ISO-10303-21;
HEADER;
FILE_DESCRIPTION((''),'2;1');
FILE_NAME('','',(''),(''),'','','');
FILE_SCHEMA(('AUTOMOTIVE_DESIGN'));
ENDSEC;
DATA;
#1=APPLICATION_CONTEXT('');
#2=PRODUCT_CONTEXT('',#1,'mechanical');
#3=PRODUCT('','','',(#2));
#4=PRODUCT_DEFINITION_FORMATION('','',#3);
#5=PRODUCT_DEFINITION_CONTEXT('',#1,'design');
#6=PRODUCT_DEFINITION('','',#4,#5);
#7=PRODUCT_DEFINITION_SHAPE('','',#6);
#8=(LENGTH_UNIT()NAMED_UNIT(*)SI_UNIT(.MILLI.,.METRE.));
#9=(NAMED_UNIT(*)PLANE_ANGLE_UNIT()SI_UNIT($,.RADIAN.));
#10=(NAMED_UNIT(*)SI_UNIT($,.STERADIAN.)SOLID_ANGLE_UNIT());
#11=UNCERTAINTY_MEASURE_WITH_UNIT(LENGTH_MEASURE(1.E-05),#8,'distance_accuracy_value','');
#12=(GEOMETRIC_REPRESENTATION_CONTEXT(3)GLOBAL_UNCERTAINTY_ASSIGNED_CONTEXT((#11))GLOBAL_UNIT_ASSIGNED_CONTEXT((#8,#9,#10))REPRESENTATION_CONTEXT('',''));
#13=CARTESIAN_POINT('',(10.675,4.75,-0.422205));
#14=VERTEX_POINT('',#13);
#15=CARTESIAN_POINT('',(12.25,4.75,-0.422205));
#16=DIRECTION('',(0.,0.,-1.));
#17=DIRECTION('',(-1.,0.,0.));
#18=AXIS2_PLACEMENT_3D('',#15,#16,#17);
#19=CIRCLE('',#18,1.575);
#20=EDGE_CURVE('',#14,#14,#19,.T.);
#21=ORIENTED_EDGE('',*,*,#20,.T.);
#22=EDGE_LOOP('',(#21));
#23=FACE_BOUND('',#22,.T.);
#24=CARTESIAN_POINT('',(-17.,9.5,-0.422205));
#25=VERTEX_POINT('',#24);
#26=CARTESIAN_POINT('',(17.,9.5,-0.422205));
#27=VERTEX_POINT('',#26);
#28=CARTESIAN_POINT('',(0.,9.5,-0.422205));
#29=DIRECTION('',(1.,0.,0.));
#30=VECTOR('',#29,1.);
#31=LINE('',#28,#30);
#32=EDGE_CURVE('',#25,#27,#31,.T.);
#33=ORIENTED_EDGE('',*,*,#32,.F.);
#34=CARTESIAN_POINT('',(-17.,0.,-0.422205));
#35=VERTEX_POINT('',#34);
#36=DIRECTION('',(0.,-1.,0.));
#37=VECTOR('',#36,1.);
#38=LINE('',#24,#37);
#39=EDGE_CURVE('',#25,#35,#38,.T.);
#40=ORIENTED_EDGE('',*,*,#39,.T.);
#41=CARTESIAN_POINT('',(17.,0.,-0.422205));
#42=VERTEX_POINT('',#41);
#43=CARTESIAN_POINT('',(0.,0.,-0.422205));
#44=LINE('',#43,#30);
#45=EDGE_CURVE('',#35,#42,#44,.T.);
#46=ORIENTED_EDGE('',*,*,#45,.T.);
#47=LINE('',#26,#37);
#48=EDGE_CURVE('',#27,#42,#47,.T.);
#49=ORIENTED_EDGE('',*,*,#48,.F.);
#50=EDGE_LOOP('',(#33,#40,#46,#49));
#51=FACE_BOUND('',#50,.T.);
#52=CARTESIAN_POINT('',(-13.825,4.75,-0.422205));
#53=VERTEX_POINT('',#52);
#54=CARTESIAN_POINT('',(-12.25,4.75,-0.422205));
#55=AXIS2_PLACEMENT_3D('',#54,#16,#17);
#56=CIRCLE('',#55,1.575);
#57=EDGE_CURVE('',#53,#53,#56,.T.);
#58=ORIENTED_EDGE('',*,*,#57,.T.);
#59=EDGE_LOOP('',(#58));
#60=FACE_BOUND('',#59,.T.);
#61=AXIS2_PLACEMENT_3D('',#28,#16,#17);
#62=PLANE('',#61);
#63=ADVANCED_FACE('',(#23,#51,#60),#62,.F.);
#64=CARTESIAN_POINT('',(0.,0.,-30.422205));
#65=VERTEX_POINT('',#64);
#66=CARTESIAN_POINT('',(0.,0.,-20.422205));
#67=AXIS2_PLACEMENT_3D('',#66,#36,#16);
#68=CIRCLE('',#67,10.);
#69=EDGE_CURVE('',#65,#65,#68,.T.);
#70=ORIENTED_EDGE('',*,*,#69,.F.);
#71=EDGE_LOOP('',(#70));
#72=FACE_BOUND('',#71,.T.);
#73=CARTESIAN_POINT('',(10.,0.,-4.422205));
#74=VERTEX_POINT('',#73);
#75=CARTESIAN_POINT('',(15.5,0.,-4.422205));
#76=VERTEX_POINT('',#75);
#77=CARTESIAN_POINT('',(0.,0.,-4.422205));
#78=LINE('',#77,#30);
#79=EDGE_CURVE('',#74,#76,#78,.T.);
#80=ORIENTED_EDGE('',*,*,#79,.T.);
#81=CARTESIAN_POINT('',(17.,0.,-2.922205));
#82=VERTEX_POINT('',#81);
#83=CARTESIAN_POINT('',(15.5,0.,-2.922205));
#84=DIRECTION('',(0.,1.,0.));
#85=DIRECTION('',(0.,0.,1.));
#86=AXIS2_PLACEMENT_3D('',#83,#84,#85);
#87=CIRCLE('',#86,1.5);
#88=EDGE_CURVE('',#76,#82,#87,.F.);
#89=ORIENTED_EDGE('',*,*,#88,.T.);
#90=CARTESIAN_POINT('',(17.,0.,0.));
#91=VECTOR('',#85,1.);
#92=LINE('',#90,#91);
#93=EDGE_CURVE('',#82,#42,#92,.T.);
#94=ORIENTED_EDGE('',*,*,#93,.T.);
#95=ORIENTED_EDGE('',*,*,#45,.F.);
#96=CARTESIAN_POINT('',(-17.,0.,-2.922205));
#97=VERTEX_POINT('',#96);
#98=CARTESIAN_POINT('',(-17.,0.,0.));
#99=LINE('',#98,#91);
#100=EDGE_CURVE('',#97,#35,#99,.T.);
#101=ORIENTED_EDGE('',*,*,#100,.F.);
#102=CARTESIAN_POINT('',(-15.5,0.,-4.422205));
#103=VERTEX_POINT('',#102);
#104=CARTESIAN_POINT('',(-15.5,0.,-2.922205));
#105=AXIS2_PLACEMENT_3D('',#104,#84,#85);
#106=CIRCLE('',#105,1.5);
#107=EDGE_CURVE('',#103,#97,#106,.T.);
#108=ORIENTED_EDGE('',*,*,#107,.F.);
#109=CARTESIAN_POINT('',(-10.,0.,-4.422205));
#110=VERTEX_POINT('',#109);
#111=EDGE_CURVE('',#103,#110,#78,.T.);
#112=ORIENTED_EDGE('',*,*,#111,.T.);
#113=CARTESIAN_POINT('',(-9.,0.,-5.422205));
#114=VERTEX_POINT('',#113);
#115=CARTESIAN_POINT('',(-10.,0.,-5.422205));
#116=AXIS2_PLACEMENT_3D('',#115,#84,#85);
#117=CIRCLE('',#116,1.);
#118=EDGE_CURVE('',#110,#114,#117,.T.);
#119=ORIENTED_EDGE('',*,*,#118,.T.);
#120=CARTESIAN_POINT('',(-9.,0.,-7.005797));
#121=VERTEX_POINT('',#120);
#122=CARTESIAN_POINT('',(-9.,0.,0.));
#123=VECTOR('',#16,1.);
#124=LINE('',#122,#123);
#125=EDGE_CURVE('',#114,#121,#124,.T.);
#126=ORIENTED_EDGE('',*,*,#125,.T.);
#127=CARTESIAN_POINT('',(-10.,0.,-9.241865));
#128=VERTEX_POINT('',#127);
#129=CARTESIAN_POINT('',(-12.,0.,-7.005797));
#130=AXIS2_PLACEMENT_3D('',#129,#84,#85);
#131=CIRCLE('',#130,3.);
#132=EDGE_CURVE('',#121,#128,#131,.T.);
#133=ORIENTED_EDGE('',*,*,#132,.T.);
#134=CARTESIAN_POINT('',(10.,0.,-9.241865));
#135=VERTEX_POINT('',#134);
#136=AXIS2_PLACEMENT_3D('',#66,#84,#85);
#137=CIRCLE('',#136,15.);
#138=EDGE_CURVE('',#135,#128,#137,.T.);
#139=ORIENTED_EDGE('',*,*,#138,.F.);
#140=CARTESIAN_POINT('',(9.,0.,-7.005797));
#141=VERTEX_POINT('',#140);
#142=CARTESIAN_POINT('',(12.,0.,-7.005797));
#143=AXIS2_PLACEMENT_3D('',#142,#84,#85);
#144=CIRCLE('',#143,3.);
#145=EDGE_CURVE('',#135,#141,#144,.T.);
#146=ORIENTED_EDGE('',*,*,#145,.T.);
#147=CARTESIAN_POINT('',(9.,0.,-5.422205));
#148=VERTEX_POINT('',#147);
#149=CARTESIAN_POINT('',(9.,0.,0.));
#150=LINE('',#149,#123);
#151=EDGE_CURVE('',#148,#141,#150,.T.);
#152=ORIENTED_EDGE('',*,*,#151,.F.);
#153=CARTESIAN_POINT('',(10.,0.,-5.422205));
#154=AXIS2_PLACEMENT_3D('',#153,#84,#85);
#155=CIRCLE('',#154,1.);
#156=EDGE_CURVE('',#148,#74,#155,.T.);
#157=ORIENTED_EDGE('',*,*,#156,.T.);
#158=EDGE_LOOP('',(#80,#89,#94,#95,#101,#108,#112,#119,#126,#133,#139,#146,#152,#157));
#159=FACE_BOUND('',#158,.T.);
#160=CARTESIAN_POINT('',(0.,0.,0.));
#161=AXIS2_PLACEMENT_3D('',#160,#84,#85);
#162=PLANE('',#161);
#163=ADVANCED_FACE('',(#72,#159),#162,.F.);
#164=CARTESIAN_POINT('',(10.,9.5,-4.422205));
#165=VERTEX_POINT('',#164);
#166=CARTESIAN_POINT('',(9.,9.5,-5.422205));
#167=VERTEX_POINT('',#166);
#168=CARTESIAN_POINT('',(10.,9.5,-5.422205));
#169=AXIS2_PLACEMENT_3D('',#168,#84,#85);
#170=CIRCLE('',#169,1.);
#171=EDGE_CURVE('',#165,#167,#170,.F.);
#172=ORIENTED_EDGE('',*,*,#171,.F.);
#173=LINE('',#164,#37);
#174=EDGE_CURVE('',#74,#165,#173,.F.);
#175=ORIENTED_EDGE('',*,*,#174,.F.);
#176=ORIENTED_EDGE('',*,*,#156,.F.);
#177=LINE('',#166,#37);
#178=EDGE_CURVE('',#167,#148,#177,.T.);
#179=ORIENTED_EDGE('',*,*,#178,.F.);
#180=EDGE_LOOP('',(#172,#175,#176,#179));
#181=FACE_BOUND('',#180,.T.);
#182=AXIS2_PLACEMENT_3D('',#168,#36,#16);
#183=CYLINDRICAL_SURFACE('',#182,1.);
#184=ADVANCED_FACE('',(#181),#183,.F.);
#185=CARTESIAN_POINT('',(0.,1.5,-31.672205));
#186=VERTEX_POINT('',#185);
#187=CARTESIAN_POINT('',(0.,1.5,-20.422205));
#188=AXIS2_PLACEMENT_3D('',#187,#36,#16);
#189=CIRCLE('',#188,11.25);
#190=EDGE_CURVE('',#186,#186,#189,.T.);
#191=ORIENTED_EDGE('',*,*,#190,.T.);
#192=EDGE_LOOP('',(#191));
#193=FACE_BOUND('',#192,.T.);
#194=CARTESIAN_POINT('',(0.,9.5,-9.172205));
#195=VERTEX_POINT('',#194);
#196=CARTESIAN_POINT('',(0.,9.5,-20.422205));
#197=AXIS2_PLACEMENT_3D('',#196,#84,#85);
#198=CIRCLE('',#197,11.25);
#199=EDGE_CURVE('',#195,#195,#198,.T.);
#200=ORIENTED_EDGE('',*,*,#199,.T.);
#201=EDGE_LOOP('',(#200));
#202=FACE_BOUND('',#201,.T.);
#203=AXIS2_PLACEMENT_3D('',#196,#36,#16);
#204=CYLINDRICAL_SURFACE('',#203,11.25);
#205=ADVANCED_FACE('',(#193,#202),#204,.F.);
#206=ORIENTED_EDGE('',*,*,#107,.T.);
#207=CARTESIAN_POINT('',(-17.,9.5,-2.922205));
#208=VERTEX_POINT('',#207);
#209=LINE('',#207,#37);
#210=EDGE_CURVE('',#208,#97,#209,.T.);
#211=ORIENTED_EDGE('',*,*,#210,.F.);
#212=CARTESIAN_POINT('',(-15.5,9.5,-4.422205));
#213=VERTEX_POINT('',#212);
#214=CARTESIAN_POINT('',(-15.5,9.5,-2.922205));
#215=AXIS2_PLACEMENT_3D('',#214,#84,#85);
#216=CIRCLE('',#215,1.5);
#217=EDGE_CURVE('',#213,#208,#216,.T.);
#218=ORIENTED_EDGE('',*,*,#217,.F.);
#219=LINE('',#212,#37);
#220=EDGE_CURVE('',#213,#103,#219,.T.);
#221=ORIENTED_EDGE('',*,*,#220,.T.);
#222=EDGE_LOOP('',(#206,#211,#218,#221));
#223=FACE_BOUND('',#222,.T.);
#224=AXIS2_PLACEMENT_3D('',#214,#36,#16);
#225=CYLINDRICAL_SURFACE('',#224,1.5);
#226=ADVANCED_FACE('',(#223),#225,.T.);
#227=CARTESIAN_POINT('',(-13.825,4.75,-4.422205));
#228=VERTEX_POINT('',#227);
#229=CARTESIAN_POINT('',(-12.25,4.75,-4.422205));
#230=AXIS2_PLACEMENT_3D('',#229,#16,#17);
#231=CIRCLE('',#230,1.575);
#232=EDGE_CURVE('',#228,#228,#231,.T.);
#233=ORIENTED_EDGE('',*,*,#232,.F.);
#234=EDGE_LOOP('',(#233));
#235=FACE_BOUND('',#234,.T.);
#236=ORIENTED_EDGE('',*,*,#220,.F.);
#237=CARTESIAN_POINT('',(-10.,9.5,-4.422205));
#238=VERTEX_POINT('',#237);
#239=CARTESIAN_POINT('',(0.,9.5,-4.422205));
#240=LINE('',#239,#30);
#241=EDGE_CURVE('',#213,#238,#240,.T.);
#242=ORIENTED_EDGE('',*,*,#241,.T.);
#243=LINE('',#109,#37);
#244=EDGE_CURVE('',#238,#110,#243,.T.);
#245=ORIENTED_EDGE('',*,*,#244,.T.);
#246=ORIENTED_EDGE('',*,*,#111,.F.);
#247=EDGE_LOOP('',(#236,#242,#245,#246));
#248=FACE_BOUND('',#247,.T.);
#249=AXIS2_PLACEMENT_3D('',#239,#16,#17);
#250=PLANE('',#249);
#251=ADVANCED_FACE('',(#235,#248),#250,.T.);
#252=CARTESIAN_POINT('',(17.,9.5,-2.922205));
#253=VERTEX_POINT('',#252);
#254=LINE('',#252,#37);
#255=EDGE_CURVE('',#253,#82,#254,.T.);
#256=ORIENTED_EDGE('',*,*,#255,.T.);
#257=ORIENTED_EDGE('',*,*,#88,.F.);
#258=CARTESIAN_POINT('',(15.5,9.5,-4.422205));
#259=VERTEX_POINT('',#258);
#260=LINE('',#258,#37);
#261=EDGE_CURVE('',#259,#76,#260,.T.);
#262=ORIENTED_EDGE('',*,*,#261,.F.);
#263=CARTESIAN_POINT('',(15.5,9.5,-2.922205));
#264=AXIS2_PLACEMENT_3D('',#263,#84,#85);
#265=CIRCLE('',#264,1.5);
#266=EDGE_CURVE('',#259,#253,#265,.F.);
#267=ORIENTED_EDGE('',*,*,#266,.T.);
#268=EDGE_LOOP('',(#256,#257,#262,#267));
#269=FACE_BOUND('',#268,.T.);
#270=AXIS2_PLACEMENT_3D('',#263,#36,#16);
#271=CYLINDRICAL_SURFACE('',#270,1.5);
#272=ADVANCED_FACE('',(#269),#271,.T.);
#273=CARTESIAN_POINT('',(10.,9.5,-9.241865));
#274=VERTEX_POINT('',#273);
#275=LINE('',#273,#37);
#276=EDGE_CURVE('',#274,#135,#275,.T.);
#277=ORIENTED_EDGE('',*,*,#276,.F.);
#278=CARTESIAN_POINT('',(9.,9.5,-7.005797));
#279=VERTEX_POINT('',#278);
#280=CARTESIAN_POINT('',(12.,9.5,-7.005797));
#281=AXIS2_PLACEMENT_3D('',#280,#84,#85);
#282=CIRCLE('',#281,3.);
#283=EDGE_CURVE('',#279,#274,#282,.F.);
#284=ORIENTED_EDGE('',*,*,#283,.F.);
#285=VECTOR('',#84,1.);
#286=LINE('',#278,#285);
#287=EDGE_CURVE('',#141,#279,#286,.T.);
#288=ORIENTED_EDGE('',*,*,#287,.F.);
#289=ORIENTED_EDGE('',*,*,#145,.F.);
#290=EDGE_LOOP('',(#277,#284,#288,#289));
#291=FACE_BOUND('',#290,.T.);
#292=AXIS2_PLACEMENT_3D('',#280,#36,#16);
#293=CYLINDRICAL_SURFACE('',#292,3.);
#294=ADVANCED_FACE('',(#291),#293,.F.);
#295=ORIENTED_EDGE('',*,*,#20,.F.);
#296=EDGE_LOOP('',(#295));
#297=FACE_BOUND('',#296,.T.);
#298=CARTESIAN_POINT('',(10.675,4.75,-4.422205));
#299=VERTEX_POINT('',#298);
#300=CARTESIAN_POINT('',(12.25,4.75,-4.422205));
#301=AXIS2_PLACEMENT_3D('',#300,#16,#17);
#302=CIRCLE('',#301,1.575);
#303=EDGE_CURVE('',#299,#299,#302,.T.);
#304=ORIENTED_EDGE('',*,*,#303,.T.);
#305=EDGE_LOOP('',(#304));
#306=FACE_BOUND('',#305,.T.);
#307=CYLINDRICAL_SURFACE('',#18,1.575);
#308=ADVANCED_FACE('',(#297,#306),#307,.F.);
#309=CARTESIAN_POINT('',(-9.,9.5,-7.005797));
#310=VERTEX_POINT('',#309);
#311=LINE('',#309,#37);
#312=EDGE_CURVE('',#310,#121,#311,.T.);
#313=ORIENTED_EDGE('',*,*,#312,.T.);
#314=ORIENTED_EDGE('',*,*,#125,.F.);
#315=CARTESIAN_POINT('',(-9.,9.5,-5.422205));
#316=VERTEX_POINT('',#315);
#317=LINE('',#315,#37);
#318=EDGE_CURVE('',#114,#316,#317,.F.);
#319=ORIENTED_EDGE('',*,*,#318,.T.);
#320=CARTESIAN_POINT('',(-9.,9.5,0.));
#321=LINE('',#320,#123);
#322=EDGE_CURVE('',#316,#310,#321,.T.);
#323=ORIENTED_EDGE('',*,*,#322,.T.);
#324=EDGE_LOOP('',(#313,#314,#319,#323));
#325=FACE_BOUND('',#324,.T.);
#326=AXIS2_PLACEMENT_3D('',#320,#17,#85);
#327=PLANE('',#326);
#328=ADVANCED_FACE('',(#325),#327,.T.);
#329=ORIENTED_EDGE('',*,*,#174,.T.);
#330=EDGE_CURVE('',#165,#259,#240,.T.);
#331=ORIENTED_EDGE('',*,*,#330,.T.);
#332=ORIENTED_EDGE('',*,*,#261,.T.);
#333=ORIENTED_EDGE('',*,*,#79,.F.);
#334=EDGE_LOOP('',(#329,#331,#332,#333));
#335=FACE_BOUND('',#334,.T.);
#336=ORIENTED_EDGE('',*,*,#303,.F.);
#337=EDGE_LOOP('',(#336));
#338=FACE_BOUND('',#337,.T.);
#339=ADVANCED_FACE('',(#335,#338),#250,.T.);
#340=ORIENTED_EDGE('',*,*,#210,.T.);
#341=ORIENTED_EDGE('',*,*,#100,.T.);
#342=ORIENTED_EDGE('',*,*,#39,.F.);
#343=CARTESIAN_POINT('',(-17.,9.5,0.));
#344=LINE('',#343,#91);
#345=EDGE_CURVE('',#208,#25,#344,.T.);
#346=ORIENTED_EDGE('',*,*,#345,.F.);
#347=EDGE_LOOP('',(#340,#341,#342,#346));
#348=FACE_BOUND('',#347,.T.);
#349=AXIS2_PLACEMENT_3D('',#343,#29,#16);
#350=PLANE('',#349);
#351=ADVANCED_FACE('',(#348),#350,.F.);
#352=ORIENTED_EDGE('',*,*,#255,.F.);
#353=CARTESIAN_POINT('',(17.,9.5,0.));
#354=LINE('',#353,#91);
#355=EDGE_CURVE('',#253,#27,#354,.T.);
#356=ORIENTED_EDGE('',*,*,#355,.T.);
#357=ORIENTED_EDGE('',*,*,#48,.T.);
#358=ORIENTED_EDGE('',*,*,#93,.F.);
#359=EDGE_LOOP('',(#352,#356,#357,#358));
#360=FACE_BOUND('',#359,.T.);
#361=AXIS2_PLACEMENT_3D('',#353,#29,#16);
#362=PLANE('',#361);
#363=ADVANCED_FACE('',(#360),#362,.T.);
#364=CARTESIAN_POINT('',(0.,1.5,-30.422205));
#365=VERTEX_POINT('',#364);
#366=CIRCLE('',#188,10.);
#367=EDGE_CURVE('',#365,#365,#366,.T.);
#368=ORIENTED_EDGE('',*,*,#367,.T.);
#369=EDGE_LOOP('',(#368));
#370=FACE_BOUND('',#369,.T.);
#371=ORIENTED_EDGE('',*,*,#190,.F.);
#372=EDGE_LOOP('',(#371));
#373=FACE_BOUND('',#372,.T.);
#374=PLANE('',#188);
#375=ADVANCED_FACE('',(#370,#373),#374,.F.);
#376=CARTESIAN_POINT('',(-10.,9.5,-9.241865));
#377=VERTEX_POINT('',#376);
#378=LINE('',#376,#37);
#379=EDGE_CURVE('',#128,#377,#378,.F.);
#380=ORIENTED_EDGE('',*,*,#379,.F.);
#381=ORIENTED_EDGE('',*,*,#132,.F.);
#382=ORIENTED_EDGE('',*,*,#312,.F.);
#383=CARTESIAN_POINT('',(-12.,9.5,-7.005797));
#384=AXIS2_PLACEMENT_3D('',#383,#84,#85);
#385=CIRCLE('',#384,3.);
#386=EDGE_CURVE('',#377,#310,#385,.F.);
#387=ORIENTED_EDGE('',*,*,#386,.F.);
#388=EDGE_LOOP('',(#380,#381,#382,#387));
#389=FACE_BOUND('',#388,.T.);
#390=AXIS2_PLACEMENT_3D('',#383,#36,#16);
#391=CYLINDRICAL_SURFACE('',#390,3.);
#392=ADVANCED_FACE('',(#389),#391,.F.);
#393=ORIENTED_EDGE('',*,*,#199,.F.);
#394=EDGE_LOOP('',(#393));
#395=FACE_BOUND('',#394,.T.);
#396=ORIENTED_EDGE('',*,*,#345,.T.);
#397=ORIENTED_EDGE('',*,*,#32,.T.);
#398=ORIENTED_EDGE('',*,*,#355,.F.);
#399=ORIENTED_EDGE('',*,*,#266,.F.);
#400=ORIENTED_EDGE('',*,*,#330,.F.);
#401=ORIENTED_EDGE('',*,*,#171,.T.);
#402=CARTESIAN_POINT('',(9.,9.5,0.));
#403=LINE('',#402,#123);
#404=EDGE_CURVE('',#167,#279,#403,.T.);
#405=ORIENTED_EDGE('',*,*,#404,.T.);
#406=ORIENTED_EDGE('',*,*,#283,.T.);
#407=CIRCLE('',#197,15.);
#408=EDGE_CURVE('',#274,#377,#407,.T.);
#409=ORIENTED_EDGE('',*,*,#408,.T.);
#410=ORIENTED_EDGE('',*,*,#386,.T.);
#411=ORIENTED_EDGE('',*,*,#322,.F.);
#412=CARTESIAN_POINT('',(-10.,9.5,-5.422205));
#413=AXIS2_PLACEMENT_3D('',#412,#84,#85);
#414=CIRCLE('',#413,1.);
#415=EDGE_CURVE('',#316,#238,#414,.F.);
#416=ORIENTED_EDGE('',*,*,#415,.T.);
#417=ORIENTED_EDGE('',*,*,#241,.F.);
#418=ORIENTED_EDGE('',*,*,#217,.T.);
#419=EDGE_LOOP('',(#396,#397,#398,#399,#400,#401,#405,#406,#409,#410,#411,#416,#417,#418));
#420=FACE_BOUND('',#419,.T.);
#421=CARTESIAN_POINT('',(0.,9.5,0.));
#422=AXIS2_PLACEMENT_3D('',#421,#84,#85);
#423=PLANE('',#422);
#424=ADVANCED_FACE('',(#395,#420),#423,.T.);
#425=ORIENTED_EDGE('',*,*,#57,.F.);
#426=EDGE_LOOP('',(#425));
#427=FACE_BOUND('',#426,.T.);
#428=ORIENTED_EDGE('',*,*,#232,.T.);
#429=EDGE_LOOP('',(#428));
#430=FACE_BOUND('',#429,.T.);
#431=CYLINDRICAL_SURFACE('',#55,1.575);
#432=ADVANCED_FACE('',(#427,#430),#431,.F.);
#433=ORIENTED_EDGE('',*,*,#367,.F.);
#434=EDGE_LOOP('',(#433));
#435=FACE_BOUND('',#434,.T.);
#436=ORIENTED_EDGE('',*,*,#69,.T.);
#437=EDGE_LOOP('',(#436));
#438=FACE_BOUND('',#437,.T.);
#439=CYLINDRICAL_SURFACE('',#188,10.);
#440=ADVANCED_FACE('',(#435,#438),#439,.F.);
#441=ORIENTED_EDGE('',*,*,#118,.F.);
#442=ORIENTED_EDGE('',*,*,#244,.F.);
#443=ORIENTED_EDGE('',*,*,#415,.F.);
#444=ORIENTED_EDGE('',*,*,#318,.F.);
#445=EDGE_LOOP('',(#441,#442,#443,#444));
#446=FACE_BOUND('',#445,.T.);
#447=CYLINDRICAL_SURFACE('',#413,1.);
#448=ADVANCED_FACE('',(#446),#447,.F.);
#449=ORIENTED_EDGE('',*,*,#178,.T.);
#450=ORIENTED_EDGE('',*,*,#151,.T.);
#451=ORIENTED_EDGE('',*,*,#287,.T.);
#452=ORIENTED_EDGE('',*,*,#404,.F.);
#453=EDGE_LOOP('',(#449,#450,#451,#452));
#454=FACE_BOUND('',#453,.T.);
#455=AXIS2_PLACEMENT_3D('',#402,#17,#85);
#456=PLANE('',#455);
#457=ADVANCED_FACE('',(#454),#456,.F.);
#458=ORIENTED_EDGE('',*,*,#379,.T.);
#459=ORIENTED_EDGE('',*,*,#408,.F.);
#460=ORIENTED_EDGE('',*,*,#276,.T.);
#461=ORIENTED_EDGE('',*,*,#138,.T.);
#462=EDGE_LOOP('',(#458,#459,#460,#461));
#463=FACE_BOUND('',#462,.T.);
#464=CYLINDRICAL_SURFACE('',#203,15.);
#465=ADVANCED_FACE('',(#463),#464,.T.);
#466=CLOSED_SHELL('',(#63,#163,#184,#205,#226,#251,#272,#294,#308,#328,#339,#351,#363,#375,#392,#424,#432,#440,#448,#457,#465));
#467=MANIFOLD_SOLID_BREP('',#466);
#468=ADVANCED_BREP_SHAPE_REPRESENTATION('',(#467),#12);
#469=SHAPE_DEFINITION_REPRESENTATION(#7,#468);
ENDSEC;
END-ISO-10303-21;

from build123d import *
from OCP.BRepFilletAPI import BRepFilletAPI_MakeFillet

# Parameters (mm, degrees)
SKETCH3_R           = 11.25
BOSS_EXTRUDE5_DEPTH = 9.5
SKETCH11_R          = 11.25
SKETCH11_R_2        = 10
BOSS_EXTRUDE6_DEPTH = 1.5
SKETCH12_R          = 1.575
CUT_EXTRUDE3_DEPTH  = 37.609425016
SKETCH13_R          = 1.575
CUT_EXTRUDE4_DEPTH  = 37.609425016
FILLET1_R1          = 3
FILLET1_R2          = 1


with BuildPart() as part:
    # Sketch3 → Boss-Extrude5 (new body)
    with BuildSketch(Plane(origin=(0, 0, 0), x_dir=(1, 0, 0), z_dir=(0, 1, 0))):
        with BuildLine():
            Line((-9, 4.422205102), (-15.5, 4.422205102))
            ThreePointArc((-15.5, 4.422205102), (-16.560660172, 3.982865274), (-17, 2.922205102))
            Line((-17, 2.922205102), (-17, 0.422205102))
            Line((-17, 0.422205102), (17, 0.422205102))
            Line((17, 0.422205102), (17, 2.922205102))
            ThreePointArc((17, 2.922205102), (16.560660172, 3.982865274), (15.5, 4.422205102))
            Line((15.5, 4.422205102), (9, 4.422205102))
            Line((9, 4.422205102), (9, 8.422205102))
            ThreePointArc((9, 8.422205102), (0, 35.422205102), (-9, 8.422205102))
            Line((-9, 8.422205102), (-9, 4.422205102))
        make_face()
        with Locations((0, 20.422205102)):
            Circle(SKETCH3_R, mode=Mode.SUBTRACT)
    extrude(amount=BOSS_EXTRUDE5_DEPTH)

    # Sketch11 → Boss-Extrude6 (add)
    with BuildSketch(Plane.XZ):
        with Locations((0, -20.422205102)):
            Circle(SKETCH11_R)
        with Locations((0, -20.422205102)):
            Circle(SKETCH11_R_2, mode=Mode.SUBTRACT)
    extrude(amount=-BOSS_EXTRUDE6_DEPTH)

    # Sketch12 → Cut-Extrude3 (cut, through all)
    with BuildSketch(Plane(origin=(0, 0, -4.422205102), x_dir=(-1, 0, 0), z_dir=(0, 0, -1))):
        with Locations((12.25, 4.75)):
            Circle(SKETCH12_R)
    extrude(amount=-CUT_EXTRUDE3_DEPTH, mode=Mode.SUBTRACT)

    # Sketch13 → Cut-Extrude4 (cut, through all)
    with BuildSketch(Plane(origin=(0, 0, -4.422205102), x_dir=(-1, 0, 0), z_dir=(0, 0, -1))):
        with Locations((-12.25, 4.75)):
            Circle(SKETCH13_R)
    extrude(amount=-CUT_EXTRUDE4_DEPTH, mode=Mode.SUBTRACT)

    # Fillet1: one fillet with a radius per group of edges: ONE call of the kernel's fillet builder (fillet() takes one radius for all edges)
    fillet1_edges_1 = [part.edges().sort_by_distance(p)[0] for p in [
        (-9, 4.75, -8.422205102),
        (9, 4.75, -8.422205102),
    ]]
    fillet1_edges_2 = [part.edges().sort_by_distance(p)[0] for p in [
        (-9, 4.75, -4.422205102),
        (9, 4.75, -4.422205102),
    ]]
    fillet1 = BRepFilletAPI_MakeFillet(part.part.solid().wrapped)
    for e in fillet1_edges_1:
        fillet1.Add(FILLET1_R1, e.wrapped)
    for e in fillet1_edges_2:
        fillet1.Add(FILLET1_R2, e.wrapped)
    add(Compound.cast(fillet1.Shape()), mode=Mode.REPLACE)


solid = part.part
